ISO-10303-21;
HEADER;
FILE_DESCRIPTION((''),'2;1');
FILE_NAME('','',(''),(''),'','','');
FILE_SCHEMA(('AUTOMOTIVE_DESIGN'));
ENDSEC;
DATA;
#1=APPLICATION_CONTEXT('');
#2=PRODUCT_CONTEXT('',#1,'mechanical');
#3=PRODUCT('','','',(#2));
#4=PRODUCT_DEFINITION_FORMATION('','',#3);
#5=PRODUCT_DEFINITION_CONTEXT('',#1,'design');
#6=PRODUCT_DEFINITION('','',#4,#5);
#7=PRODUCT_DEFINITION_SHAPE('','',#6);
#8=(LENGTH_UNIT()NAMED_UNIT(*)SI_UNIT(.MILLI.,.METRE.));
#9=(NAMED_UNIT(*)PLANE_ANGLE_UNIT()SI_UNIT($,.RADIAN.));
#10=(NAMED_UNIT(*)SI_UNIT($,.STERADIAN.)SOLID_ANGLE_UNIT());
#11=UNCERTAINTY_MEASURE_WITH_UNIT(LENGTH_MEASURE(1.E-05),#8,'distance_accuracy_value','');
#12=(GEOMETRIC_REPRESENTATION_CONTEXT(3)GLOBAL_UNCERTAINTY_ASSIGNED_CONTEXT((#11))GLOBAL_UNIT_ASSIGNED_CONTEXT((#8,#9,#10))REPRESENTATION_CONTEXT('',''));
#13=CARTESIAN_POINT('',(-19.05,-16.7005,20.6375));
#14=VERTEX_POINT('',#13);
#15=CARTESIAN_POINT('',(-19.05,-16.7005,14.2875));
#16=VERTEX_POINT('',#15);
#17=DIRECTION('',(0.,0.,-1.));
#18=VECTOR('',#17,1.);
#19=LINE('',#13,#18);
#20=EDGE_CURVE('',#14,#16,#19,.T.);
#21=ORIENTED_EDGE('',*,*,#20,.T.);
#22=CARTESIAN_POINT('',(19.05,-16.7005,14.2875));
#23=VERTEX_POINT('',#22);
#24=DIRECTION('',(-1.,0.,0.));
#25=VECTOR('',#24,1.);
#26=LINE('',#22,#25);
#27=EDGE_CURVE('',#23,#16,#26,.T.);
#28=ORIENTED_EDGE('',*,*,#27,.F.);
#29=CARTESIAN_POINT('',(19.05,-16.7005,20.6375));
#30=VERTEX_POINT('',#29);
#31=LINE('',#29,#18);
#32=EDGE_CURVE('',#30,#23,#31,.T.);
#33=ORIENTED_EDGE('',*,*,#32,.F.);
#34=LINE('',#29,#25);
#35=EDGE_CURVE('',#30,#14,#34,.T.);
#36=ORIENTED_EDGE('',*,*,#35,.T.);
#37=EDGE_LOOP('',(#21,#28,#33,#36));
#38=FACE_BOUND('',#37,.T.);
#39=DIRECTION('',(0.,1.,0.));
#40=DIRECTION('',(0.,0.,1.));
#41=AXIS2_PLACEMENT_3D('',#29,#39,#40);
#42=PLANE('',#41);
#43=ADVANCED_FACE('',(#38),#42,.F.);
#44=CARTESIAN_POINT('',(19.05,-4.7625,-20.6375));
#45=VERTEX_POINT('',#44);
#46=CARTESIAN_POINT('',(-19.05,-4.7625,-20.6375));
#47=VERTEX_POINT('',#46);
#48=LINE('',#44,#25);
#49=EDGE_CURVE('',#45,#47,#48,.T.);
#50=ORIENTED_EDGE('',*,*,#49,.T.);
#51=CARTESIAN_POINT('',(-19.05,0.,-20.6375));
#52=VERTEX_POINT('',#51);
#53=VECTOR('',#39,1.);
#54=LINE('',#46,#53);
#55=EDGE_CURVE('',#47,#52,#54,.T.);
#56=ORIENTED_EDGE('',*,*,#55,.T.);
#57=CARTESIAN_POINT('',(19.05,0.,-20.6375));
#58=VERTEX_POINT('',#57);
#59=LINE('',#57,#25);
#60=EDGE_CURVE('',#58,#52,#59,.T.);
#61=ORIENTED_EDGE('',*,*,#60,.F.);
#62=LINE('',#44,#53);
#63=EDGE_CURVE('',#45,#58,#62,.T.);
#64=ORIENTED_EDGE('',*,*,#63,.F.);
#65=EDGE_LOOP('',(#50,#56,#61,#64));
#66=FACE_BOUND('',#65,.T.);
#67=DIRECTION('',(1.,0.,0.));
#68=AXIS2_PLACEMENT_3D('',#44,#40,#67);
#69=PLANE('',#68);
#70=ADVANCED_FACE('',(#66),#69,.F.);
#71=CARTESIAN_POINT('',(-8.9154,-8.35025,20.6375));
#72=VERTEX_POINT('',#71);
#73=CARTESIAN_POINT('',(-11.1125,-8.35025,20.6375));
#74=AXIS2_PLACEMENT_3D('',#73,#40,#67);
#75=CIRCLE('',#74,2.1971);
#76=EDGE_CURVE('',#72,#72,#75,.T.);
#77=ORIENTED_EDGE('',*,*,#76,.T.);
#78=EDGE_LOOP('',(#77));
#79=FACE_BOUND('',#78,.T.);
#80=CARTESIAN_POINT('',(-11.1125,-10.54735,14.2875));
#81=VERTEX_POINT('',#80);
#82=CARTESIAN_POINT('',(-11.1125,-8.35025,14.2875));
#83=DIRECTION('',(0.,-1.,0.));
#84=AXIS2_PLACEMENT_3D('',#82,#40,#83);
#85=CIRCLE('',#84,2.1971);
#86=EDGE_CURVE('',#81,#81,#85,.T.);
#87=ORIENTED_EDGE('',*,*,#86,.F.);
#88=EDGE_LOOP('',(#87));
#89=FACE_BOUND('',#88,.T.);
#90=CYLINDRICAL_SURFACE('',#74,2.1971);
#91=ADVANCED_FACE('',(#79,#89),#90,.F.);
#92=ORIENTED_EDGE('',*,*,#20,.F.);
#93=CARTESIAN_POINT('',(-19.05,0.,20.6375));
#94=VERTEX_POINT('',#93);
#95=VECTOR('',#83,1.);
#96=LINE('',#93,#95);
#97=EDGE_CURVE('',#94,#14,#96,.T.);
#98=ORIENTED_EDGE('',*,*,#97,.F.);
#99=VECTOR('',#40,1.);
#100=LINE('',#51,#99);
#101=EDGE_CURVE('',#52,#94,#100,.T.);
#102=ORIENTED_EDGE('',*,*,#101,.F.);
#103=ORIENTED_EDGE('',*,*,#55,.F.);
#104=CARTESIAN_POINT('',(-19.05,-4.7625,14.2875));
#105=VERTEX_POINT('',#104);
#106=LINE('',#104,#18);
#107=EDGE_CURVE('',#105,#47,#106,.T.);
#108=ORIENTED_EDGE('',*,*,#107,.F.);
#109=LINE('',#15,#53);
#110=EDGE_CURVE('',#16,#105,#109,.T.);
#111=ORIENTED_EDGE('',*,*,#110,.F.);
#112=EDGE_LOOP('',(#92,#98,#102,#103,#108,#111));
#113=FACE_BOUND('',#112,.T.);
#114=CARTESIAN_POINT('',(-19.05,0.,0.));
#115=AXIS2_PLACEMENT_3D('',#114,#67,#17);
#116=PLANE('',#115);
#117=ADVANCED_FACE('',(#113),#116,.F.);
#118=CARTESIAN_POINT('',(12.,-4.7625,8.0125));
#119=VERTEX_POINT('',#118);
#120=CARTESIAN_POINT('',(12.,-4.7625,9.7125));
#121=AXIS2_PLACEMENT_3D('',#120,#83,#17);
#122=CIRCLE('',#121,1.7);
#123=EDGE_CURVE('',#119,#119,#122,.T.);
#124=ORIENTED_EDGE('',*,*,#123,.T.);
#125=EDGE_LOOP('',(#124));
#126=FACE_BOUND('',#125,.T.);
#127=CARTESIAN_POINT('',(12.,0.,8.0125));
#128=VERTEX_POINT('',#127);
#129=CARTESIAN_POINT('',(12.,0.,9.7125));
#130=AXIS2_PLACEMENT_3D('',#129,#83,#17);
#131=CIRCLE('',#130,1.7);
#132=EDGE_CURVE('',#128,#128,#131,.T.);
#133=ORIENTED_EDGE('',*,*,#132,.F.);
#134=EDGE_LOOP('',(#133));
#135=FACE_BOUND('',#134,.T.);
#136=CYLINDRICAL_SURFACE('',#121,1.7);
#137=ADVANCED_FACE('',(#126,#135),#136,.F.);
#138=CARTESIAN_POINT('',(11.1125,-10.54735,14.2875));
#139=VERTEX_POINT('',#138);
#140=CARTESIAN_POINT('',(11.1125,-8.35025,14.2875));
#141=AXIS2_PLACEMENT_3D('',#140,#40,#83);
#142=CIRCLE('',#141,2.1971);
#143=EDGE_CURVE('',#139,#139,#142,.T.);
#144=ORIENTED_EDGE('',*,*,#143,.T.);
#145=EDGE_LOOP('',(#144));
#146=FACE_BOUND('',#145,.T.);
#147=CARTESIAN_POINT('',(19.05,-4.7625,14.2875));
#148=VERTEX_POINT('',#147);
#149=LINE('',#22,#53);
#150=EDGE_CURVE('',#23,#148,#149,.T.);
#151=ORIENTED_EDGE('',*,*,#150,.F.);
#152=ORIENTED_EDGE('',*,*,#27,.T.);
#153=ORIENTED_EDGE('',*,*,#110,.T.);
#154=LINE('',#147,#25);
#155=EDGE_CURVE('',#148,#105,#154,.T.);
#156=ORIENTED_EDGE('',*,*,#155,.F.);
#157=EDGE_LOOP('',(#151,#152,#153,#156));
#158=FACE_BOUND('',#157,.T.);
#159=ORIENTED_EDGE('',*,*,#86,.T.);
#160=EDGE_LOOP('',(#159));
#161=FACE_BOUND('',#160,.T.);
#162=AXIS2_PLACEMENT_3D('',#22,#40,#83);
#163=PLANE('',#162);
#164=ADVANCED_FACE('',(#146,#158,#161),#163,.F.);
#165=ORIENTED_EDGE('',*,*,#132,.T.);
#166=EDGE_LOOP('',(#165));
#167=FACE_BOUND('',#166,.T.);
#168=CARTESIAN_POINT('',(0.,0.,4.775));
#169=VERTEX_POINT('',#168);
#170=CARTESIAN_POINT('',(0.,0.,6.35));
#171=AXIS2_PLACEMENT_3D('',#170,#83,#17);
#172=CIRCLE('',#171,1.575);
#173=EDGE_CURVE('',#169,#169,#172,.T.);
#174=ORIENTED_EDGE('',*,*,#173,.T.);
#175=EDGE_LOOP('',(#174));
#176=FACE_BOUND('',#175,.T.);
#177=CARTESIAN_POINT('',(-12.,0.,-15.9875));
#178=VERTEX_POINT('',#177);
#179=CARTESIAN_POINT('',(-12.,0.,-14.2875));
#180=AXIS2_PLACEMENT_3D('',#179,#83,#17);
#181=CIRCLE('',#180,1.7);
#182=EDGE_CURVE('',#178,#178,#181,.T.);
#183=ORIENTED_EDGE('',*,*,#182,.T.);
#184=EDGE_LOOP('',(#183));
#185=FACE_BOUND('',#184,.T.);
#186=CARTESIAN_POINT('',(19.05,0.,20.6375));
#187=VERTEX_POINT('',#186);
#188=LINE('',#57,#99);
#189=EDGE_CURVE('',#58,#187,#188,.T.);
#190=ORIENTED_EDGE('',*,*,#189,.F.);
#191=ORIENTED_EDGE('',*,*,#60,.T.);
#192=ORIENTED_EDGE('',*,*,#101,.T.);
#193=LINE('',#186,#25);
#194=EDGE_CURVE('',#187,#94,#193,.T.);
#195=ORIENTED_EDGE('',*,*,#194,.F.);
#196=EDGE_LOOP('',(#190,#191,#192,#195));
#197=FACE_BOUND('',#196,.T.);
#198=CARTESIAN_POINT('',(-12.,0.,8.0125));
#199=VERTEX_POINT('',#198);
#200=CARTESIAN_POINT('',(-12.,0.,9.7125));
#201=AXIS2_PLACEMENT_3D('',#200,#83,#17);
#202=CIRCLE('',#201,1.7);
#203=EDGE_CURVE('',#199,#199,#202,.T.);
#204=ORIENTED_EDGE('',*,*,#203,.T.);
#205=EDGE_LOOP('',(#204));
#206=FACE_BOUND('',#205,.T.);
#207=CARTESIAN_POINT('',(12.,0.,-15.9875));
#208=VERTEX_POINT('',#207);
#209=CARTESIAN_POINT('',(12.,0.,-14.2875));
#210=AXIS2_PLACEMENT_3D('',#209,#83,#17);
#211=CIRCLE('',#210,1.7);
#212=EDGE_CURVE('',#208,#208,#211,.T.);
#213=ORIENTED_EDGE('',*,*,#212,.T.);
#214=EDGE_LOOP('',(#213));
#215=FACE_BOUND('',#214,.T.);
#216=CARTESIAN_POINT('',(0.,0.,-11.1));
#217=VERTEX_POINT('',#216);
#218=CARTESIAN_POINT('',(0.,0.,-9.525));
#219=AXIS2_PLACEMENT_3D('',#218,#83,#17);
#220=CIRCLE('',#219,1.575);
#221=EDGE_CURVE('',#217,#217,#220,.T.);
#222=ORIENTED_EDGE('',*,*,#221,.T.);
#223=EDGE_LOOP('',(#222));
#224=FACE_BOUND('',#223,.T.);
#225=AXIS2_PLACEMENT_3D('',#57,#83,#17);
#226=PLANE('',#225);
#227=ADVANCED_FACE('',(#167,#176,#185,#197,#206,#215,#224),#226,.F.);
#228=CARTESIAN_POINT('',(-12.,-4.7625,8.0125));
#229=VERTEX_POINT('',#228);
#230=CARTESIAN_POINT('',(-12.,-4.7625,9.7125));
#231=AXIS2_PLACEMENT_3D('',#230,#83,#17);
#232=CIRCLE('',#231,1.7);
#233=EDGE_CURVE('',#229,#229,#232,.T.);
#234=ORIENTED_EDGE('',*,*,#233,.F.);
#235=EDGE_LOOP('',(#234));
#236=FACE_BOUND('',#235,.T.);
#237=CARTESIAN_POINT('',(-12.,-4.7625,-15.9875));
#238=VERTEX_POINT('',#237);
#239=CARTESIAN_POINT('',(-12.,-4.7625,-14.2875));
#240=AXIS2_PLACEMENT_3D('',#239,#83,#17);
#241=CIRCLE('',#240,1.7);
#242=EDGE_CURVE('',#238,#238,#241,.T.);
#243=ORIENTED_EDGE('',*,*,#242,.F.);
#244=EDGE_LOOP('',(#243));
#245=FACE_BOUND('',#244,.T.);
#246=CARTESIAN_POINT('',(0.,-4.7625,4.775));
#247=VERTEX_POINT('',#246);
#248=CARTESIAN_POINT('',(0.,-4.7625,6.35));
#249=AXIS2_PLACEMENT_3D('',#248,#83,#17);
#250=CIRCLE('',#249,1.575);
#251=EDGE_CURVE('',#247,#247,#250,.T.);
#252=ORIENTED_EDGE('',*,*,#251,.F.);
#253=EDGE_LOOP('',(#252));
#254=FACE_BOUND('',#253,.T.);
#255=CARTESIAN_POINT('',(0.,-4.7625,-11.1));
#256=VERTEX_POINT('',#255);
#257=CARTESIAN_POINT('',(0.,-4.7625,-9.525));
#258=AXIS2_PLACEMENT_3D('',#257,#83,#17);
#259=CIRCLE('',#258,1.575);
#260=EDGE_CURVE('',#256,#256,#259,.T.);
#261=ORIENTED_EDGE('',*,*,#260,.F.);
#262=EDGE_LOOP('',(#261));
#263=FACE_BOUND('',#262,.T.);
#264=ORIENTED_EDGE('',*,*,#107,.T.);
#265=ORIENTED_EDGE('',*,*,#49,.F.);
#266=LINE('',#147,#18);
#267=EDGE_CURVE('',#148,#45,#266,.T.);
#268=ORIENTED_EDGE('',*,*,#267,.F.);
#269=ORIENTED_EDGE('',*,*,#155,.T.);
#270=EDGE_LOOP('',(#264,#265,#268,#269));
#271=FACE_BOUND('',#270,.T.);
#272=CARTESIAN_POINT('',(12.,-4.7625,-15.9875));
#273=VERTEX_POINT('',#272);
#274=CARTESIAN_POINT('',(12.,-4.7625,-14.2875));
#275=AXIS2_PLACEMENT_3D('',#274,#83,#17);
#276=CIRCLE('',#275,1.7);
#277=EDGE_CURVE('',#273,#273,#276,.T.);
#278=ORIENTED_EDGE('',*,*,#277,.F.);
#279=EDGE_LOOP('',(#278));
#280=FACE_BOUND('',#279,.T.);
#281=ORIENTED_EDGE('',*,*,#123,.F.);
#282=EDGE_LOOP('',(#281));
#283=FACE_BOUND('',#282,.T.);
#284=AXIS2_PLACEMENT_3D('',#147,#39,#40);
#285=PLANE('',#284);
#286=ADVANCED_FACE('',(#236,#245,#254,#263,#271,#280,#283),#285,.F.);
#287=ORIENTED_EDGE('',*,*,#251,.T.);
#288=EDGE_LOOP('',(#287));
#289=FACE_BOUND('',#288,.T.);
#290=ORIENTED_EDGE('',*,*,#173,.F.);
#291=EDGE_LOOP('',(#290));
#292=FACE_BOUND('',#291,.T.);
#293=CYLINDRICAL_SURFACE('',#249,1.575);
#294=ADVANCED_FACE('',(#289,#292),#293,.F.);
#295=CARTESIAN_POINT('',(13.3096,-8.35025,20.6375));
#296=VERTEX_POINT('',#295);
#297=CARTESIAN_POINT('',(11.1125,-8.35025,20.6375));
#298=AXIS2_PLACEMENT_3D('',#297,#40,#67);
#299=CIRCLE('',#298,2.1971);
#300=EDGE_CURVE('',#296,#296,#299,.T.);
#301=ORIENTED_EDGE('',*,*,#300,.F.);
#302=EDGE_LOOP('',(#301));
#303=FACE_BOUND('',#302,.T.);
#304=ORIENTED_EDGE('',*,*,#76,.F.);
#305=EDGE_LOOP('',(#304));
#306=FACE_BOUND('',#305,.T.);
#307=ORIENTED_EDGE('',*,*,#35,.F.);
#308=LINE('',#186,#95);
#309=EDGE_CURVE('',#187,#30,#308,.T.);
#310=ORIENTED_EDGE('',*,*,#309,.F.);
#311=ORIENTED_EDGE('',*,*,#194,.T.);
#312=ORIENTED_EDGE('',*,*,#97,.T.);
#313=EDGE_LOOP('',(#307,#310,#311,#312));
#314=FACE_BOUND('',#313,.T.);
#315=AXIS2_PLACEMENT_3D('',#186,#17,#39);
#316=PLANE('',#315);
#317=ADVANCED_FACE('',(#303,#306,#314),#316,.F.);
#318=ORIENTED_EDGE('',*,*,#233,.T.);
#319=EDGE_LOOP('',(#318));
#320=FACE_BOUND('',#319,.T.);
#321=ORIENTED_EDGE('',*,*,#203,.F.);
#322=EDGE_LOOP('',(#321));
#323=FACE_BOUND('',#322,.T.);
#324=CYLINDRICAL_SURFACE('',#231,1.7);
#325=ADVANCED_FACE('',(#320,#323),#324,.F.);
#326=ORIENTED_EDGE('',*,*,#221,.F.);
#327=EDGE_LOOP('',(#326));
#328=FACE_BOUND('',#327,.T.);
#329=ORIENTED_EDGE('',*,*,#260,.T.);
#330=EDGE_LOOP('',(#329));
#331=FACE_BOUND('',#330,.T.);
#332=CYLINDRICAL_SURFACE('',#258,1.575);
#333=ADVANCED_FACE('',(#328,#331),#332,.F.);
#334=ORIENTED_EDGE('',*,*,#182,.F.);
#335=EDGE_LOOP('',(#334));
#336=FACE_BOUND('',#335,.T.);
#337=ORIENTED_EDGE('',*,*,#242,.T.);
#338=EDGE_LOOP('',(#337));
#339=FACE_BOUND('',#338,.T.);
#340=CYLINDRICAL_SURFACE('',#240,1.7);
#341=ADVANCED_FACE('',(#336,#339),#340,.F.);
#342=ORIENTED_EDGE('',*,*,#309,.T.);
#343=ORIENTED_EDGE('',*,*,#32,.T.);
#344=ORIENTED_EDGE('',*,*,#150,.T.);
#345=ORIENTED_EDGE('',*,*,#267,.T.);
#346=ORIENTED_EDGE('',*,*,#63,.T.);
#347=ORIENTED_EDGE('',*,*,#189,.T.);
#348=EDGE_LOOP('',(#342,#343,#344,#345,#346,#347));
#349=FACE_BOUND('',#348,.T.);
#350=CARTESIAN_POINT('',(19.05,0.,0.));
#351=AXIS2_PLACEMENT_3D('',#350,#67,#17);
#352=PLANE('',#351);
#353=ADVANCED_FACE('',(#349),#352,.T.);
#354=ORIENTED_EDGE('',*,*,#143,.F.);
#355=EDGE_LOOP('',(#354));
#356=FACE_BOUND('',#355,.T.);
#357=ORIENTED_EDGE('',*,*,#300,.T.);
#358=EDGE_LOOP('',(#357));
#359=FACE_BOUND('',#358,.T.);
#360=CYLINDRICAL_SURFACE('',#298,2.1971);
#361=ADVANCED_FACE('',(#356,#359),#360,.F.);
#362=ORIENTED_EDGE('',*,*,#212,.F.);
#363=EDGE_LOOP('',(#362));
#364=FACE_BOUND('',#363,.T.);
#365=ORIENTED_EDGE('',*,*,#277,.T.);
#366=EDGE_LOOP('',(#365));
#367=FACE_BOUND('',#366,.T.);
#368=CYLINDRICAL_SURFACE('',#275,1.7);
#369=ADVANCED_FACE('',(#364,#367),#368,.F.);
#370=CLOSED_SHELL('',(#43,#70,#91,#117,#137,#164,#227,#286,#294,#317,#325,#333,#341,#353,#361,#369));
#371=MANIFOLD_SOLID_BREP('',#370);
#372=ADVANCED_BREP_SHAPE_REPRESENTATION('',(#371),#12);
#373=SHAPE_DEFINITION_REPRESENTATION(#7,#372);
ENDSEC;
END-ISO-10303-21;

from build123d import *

# Parameters (mm, degrees)
BOSS_EXTRUDE1_DEPTH                = 19.05
M3_CLEARANCE_HOLE1_D               = 3.4
TAPPED_HOLE_FOR_M3X0_5_HELICOIL1_D = 3.15
TAPPED_HOLE_FOR_8_32_HELICOIL1_D   = 4.3942


with BuildPart() as part:
    # Sketch1 → Boss-Extrude1 (new body, symmetric)
    with BuildSketch(Plane(origin=(0, 0, 0), x_dir=(0, 0, -1), z_dir=(1, 0, 0))):
        Polygon((20.6375, 0), (-20.6375, 0), (-20.6375, -16.7005), (-14.2875, -16.7005), (-14.2875, -4.7625), (20.6375, -4.7625), align=None)
    extrude(amount=BOSS_EXTRUDE1_DEPTH, both=True)

    # M3 Clearance Hole1 (through all)
    with Locations(Plane(origin=(0, -4.7625, 0), x_dir=(-1, 0, 0), z_dir=(0, -1, 0))):
        with Locations((-12, 14.2875), (12, 14.2875), (12, -9.7125), (-12, -9.7125)):
            Hole(M3_CLEARANCE_HOLE1_D / 2)

    # Tapped Hole for M3x0.5 Helicoil1 (through all)
    with Locations(Plane(origin=(0, -4.7625, 0), x_dir=(-1, 0, 0), z_dir=(0, -1, 0))):
        with Locations((0, -6.35), (0, 9.525)):
            Hole(TAPPED_HOLE_FOR_M3X0_5_HELICOIL1_D / 2)

    # Tapped Hole for #8-32 Helicoil1 (through all)
    with Locations(Plane.XY.offset(20.6375)):
        with Locations((-11.1125, -8.35025), (11.1125, -8.35025)):
            Hole(TAPPED_HOLE_FOR_8_32_HELICOIL1_D / 2)


solid = part.part
